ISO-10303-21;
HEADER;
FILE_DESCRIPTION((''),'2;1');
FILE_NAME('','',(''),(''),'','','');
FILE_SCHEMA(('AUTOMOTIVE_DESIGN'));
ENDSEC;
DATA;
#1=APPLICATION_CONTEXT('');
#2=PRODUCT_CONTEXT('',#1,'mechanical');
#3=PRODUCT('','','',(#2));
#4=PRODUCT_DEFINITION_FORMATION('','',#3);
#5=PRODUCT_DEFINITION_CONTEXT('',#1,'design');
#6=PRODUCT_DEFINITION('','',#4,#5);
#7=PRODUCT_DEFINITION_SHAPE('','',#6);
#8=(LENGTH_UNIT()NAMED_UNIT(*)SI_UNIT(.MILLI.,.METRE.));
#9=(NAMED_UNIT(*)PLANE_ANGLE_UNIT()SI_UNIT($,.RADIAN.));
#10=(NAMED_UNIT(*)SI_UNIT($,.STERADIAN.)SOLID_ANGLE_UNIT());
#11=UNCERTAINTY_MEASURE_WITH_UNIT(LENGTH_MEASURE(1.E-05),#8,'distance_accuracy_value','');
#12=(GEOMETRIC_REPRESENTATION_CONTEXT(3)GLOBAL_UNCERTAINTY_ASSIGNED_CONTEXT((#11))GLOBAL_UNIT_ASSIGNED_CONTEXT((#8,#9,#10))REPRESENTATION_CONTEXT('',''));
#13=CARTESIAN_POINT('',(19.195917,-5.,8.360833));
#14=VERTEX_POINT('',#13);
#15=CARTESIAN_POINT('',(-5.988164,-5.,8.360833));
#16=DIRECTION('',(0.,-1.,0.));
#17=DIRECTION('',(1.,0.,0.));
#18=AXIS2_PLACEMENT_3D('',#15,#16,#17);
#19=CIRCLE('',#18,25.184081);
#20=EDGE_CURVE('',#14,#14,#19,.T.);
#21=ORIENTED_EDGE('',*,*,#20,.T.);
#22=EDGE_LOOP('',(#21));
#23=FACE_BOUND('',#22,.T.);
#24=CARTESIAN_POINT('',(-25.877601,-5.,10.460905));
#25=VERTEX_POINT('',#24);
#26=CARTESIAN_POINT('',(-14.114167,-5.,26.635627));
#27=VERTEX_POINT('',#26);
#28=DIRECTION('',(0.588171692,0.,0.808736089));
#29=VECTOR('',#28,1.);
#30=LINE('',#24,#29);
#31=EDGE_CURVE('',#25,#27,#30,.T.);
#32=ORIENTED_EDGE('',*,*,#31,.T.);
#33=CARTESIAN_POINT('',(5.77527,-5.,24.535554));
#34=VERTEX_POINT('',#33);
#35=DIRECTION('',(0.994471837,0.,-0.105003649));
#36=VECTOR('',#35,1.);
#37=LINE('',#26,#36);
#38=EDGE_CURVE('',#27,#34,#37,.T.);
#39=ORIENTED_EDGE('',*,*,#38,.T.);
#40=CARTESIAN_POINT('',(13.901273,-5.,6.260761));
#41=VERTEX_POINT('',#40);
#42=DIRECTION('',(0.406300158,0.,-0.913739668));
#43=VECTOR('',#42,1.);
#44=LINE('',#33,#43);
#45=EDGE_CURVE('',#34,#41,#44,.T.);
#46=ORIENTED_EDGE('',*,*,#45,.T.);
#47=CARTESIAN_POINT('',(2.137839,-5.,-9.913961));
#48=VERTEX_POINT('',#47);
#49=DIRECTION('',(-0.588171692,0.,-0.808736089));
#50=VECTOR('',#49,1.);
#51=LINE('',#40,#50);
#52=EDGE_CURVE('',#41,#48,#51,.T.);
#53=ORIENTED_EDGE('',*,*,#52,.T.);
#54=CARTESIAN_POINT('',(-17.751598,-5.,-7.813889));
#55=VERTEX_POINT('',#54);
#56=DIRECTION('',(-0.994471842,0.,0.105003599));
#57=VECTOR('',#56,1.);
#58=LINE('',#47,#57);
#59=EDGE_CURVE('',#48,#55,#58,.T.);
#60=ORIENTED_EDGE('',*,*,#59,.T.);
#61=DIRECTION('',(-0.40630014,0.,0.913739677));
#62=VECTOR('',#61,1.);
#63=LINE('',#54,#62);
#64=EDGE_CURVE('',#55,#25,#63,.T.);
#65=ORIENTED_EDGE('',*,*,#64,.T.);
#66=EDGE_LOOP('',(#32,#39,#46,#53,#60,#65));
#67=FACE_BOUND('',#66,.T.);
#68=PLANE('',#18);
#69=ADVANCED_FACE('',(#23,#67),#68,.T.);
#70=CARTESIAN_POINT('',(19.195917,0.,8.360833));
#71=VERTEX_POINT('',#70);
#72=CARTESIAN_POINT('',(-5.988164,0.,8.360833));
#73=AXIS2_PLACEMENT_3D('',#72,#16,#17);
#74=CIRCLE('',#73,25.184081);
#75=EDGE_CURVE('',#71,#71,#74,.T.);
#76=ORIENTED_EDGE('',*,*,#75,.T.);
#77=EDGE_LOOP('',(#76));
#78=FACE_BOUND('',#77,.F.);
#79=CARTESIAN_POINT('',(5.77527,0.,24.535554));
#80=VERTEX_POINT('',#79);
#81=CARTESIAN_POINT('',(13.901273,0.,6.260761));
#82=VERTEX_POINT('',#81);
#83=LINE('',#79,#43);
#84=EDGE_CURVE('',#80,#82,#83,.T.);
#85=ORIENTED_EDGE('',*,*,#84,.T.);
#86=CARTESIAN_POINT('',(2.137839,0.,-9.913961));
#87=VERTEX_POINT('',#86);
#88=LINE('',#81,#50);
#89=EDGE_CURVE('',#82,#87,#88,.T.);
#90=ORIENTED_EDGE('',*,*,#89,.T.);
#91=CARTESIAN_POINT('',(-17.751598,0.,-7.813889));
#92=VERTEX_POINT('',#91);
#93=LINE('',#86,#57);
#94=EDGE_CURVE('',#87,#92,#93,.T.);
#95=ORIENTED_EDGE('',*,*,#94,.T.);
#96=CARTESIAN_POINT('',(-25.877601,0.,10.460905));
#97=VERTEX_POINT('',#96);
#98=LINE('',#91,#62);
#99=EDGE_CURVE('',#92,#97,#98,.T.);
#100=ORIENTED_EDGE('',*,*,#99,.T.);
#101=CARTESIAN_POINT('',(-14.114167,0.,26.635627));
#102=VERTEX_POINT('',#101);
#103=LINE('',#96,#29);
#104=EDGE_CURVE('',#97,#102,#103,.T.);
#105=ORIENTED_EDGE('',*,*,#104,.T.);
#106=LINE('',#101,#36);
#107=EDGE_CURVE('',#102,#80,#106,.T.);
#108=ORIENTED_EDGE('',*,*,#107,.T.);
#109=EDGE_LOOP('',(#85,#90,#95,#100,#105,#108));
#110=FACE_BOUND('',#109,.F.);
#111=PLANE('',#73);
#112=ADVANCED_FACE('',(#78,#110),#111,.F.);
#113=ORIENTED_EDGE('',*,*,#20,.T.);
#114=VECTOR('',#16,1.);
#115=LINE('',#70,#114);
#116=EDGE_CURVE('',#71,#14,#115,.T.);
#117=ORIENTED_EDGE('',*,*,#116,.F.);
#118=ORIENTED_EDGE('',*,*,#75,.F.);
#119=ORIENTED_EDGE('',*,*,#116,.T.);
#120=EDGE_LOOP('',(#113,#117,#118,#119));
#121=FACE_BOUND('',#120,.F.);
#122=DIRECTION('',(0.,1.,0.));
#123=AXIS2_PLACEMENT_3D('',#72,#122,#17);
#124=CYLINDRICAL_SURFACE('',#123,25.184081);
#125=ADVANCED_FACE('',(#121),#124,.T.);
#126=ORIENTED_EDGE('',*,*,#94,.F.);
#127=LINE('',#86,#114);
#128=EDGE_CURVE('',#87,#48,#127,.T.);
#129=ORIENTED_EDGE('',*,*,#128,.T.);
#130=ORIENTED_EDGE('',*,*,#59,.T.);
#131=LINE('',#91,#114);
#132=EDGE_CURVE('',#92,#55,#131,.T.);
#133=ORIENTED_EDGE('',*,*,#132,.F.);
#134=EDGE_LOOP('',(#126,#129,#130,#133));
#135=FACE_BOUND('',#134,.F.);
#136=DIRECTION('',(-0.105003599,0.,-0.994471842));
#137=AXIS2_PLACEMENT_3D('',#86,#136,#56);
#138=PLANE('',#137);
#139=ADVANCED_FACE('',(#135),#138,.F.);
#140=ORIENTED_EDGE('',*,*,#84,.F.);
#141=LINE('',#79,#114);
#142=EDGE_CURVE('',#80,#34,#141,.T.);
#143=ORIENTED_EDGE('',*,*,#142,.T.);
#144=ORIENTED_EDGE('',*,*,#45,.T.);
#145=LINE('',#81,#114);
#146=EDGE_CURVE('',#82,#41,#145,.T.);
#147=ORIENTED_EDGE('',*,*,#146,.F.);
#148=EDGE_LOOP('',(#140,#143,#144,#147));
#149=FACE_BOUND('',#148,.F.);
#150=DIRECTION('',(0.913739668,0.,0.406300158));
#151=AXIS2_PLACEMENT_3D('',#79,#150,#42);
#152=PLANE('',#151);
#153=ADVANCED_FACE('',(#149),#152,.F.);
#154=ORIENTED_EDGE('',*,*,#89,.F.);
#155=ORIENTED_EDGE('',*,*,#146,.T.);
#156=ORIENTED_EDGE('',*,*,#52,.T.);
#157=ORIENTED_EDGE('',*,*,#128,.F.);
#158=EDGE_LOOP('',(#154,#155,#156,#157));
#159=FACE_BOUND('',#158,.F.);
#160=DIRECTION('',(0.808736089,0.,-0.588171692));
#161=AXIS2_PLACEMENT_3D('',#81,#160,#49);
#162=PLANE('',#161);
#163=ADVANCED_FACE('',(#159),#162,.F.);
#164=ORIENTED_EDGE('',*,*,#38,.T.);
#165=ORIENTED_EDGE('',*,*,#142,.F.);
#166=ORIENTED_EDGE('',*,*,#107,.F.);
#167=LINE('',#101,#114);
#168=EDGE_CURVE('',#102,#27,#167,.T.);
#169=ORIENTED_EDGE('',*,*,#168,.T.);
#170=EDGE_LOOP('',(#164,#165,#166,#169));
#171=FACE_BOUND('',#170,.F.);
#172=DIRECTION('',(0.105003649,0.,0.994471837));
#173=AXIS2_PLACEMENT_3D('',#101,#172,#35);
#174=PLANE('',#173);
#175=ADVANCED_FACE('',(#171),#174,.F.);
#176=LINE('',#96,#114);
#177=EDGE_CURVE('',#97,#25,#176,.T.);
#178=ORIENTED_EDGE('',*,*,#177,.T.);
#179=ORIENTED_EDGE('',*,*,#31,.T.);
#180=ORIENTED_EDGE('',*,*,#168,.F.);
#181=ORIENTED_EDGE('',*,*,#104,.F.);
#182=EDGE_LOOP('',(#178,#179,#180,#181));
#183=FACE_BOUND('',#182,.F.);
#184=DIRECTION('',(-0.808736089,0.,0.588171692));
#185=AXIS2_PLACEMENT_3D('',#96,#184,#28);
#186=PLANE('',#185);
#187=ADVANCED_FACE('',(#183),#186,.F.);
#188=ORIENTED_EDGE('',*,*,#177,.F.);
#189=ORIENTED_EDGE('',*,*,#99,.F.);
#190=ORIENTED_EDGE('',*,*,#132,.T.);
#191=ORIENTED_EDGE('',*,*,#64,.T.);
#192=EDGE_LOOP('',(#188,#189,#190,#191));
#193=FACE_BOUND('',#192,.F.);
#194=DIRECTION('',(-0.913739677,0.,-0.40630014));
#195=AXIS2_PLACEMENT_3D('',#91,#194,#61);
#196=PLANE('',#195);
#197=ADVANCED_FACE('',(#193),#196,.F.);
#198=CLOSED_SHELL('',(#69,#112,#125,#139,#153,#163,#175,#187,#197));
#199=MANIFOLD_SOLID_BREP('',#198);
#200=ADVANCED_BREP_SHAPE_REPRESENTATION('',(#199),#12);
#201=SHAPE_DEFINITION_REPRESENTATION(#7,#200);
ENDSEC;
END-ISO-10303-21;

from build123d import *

# Parameters (mm, degrees)
F0_R     = 25.184081
F1_DEPTH = 5


with BuildPart() as f1:
    # F0 (on Front) → F1 (new body)
    with BuildSketch(Plane.XZ):
        with Locations((-5.988164, 8.360833)):
            Circle(F0_R)
        Polygon((5.77527, 24.535554), (13.901273, 6.260761), (2.137839, -9.913961), (-17.751598, -7.813889), (-25.877601, 10.460905), (-14.114167, 26.635627), align=None, mode=Mode.SUBTRACT)
    extrude(amount=F1_DEPTH)


solid = f1.part
